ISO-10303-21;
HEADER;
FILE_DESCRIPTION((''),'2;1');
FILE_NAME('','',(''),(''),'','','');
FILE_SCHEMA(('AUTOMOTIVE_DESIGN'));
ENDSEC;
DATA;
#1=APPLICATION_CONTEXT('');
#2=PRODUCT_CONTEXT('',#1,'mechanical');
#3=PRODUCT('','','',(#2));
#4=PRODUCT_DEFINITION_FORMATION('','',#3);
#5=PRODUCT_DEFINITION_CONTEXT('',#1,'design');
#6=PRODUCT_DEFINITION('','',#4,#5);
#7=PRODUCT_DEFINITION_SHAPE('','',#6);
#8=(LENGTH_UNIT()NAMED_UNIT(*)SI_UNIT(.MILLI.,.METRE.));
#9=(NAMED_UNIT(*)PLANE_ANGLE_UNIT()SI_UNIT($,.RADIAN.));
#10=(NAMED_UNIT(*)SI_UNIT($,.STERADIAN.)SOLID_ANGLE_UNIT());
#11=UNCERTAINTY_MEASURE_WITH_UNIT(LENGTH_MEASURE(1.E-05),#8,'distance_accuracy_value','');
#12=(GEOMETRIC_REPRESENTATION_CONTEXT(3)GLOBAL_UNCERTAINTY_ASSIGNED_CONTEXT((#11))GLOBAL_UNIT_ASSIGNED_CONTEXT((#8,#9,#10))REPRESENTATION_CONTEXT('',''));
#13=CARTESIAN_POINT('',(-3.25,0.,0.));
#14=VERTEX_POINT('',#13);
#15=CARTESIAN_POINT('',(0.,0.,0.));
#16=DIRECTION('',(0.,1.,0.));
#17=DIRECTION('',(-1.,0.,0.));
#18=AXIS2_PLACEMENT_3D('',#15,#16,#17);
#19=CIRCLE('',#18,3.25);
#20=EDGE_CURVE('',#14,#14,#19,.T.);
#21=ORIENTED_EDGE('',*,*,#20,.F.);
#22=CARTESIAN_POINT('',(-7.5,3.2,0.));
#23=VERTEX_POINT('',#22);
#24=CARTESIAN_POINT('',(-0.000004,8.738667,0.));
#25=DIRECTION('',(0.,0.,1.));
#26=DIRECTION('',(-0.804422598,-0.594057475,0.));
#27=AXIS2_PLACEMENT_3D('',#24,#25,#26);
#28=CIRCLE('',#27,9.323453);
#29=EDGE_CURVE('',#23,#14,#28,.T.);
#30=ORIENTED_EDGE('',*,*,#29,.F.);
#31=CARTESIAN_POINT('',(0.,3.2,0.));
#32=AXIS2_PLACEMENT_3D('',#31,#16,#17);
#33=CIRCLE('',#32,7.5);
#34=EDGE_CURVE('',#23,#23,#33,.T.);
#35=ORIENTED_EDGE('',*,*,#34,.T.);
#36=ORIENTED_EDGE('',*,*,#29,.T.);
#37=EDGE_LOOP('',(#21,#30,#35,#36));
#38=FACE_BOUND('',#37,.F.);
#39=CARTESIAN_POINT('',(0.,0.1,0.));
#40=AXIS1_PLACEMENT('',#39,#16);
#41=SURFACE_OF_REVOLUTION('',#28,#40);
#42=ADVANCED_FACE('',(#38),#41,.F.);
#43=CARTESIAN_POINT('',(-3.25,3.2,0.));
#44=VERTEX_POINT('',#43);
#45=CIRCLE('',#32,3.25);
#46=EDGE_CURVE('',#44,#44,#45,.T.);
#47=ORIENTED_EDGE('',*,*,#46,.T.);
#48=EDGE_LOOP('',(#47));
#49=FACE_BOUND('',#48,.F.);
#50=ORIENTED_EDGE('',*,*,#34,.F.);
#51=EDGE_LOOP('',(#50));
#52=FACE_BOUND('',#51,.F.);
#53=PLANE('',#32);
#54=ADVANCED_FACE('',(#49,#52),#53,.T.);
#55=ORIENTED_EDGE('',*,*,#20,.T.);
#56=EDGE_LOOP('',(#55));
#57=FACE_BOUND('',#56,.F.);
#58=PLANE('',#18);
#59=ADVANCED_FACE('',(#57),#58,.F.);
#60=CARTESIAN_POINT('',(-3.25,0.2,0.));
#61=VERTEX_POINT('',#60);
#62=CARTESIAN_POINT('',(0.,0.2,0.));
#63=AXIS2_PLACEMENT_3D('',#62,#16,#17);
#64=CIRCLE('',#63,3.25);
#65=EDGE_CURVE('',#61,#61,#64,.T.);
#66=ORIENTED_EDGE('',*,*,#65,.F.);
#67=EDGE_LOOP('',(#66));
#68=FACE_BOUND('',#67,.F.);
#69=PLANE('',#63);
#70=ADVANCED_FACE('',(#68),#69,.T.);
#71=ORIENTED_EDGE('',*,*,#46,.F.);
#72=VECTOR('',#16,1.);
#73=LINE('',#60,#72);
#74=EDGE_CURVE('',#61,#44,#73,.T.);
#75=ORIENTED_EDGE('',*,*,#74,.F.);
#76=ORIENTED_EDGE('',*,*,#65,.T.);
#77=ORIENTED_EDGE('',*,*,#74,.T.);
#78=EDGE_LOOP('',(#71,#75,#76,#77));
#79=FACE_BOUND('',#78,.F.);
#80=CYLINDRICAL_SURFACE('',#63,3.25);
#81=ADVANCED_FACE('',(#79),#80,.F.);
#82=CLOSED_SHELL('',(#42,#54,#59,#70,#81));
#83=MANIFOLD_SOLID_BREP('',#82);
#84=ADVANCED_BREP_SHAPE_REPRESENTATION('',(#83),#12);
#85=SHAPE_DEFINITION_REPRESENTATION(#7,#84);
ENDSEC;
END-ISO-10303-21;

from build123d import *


with BuildPart() as f1:
    # F0 (on Top) → F1 (revolve)
    with BuildSketch(Plane.XY):
        with BuildLine():
            ThreePointArc((-7.5, 3.2), (-5.608086, 1.290433), (-3.25, 0))
            Line((-3.25, 0), (0, 0))
            Line((0, 0), (0, 0.2))
            Line((0, 0.2), (-3.25, 0.2))
            Line((-3.25, 0.2), (-3.25, 3.2))
            Line((-3.25, 3.2), (-7.5, 3.2))
        make_face()
    revolve(axis=Axis((0, 0.1, 0), (0, 1, 0)))


solid = f1.part
